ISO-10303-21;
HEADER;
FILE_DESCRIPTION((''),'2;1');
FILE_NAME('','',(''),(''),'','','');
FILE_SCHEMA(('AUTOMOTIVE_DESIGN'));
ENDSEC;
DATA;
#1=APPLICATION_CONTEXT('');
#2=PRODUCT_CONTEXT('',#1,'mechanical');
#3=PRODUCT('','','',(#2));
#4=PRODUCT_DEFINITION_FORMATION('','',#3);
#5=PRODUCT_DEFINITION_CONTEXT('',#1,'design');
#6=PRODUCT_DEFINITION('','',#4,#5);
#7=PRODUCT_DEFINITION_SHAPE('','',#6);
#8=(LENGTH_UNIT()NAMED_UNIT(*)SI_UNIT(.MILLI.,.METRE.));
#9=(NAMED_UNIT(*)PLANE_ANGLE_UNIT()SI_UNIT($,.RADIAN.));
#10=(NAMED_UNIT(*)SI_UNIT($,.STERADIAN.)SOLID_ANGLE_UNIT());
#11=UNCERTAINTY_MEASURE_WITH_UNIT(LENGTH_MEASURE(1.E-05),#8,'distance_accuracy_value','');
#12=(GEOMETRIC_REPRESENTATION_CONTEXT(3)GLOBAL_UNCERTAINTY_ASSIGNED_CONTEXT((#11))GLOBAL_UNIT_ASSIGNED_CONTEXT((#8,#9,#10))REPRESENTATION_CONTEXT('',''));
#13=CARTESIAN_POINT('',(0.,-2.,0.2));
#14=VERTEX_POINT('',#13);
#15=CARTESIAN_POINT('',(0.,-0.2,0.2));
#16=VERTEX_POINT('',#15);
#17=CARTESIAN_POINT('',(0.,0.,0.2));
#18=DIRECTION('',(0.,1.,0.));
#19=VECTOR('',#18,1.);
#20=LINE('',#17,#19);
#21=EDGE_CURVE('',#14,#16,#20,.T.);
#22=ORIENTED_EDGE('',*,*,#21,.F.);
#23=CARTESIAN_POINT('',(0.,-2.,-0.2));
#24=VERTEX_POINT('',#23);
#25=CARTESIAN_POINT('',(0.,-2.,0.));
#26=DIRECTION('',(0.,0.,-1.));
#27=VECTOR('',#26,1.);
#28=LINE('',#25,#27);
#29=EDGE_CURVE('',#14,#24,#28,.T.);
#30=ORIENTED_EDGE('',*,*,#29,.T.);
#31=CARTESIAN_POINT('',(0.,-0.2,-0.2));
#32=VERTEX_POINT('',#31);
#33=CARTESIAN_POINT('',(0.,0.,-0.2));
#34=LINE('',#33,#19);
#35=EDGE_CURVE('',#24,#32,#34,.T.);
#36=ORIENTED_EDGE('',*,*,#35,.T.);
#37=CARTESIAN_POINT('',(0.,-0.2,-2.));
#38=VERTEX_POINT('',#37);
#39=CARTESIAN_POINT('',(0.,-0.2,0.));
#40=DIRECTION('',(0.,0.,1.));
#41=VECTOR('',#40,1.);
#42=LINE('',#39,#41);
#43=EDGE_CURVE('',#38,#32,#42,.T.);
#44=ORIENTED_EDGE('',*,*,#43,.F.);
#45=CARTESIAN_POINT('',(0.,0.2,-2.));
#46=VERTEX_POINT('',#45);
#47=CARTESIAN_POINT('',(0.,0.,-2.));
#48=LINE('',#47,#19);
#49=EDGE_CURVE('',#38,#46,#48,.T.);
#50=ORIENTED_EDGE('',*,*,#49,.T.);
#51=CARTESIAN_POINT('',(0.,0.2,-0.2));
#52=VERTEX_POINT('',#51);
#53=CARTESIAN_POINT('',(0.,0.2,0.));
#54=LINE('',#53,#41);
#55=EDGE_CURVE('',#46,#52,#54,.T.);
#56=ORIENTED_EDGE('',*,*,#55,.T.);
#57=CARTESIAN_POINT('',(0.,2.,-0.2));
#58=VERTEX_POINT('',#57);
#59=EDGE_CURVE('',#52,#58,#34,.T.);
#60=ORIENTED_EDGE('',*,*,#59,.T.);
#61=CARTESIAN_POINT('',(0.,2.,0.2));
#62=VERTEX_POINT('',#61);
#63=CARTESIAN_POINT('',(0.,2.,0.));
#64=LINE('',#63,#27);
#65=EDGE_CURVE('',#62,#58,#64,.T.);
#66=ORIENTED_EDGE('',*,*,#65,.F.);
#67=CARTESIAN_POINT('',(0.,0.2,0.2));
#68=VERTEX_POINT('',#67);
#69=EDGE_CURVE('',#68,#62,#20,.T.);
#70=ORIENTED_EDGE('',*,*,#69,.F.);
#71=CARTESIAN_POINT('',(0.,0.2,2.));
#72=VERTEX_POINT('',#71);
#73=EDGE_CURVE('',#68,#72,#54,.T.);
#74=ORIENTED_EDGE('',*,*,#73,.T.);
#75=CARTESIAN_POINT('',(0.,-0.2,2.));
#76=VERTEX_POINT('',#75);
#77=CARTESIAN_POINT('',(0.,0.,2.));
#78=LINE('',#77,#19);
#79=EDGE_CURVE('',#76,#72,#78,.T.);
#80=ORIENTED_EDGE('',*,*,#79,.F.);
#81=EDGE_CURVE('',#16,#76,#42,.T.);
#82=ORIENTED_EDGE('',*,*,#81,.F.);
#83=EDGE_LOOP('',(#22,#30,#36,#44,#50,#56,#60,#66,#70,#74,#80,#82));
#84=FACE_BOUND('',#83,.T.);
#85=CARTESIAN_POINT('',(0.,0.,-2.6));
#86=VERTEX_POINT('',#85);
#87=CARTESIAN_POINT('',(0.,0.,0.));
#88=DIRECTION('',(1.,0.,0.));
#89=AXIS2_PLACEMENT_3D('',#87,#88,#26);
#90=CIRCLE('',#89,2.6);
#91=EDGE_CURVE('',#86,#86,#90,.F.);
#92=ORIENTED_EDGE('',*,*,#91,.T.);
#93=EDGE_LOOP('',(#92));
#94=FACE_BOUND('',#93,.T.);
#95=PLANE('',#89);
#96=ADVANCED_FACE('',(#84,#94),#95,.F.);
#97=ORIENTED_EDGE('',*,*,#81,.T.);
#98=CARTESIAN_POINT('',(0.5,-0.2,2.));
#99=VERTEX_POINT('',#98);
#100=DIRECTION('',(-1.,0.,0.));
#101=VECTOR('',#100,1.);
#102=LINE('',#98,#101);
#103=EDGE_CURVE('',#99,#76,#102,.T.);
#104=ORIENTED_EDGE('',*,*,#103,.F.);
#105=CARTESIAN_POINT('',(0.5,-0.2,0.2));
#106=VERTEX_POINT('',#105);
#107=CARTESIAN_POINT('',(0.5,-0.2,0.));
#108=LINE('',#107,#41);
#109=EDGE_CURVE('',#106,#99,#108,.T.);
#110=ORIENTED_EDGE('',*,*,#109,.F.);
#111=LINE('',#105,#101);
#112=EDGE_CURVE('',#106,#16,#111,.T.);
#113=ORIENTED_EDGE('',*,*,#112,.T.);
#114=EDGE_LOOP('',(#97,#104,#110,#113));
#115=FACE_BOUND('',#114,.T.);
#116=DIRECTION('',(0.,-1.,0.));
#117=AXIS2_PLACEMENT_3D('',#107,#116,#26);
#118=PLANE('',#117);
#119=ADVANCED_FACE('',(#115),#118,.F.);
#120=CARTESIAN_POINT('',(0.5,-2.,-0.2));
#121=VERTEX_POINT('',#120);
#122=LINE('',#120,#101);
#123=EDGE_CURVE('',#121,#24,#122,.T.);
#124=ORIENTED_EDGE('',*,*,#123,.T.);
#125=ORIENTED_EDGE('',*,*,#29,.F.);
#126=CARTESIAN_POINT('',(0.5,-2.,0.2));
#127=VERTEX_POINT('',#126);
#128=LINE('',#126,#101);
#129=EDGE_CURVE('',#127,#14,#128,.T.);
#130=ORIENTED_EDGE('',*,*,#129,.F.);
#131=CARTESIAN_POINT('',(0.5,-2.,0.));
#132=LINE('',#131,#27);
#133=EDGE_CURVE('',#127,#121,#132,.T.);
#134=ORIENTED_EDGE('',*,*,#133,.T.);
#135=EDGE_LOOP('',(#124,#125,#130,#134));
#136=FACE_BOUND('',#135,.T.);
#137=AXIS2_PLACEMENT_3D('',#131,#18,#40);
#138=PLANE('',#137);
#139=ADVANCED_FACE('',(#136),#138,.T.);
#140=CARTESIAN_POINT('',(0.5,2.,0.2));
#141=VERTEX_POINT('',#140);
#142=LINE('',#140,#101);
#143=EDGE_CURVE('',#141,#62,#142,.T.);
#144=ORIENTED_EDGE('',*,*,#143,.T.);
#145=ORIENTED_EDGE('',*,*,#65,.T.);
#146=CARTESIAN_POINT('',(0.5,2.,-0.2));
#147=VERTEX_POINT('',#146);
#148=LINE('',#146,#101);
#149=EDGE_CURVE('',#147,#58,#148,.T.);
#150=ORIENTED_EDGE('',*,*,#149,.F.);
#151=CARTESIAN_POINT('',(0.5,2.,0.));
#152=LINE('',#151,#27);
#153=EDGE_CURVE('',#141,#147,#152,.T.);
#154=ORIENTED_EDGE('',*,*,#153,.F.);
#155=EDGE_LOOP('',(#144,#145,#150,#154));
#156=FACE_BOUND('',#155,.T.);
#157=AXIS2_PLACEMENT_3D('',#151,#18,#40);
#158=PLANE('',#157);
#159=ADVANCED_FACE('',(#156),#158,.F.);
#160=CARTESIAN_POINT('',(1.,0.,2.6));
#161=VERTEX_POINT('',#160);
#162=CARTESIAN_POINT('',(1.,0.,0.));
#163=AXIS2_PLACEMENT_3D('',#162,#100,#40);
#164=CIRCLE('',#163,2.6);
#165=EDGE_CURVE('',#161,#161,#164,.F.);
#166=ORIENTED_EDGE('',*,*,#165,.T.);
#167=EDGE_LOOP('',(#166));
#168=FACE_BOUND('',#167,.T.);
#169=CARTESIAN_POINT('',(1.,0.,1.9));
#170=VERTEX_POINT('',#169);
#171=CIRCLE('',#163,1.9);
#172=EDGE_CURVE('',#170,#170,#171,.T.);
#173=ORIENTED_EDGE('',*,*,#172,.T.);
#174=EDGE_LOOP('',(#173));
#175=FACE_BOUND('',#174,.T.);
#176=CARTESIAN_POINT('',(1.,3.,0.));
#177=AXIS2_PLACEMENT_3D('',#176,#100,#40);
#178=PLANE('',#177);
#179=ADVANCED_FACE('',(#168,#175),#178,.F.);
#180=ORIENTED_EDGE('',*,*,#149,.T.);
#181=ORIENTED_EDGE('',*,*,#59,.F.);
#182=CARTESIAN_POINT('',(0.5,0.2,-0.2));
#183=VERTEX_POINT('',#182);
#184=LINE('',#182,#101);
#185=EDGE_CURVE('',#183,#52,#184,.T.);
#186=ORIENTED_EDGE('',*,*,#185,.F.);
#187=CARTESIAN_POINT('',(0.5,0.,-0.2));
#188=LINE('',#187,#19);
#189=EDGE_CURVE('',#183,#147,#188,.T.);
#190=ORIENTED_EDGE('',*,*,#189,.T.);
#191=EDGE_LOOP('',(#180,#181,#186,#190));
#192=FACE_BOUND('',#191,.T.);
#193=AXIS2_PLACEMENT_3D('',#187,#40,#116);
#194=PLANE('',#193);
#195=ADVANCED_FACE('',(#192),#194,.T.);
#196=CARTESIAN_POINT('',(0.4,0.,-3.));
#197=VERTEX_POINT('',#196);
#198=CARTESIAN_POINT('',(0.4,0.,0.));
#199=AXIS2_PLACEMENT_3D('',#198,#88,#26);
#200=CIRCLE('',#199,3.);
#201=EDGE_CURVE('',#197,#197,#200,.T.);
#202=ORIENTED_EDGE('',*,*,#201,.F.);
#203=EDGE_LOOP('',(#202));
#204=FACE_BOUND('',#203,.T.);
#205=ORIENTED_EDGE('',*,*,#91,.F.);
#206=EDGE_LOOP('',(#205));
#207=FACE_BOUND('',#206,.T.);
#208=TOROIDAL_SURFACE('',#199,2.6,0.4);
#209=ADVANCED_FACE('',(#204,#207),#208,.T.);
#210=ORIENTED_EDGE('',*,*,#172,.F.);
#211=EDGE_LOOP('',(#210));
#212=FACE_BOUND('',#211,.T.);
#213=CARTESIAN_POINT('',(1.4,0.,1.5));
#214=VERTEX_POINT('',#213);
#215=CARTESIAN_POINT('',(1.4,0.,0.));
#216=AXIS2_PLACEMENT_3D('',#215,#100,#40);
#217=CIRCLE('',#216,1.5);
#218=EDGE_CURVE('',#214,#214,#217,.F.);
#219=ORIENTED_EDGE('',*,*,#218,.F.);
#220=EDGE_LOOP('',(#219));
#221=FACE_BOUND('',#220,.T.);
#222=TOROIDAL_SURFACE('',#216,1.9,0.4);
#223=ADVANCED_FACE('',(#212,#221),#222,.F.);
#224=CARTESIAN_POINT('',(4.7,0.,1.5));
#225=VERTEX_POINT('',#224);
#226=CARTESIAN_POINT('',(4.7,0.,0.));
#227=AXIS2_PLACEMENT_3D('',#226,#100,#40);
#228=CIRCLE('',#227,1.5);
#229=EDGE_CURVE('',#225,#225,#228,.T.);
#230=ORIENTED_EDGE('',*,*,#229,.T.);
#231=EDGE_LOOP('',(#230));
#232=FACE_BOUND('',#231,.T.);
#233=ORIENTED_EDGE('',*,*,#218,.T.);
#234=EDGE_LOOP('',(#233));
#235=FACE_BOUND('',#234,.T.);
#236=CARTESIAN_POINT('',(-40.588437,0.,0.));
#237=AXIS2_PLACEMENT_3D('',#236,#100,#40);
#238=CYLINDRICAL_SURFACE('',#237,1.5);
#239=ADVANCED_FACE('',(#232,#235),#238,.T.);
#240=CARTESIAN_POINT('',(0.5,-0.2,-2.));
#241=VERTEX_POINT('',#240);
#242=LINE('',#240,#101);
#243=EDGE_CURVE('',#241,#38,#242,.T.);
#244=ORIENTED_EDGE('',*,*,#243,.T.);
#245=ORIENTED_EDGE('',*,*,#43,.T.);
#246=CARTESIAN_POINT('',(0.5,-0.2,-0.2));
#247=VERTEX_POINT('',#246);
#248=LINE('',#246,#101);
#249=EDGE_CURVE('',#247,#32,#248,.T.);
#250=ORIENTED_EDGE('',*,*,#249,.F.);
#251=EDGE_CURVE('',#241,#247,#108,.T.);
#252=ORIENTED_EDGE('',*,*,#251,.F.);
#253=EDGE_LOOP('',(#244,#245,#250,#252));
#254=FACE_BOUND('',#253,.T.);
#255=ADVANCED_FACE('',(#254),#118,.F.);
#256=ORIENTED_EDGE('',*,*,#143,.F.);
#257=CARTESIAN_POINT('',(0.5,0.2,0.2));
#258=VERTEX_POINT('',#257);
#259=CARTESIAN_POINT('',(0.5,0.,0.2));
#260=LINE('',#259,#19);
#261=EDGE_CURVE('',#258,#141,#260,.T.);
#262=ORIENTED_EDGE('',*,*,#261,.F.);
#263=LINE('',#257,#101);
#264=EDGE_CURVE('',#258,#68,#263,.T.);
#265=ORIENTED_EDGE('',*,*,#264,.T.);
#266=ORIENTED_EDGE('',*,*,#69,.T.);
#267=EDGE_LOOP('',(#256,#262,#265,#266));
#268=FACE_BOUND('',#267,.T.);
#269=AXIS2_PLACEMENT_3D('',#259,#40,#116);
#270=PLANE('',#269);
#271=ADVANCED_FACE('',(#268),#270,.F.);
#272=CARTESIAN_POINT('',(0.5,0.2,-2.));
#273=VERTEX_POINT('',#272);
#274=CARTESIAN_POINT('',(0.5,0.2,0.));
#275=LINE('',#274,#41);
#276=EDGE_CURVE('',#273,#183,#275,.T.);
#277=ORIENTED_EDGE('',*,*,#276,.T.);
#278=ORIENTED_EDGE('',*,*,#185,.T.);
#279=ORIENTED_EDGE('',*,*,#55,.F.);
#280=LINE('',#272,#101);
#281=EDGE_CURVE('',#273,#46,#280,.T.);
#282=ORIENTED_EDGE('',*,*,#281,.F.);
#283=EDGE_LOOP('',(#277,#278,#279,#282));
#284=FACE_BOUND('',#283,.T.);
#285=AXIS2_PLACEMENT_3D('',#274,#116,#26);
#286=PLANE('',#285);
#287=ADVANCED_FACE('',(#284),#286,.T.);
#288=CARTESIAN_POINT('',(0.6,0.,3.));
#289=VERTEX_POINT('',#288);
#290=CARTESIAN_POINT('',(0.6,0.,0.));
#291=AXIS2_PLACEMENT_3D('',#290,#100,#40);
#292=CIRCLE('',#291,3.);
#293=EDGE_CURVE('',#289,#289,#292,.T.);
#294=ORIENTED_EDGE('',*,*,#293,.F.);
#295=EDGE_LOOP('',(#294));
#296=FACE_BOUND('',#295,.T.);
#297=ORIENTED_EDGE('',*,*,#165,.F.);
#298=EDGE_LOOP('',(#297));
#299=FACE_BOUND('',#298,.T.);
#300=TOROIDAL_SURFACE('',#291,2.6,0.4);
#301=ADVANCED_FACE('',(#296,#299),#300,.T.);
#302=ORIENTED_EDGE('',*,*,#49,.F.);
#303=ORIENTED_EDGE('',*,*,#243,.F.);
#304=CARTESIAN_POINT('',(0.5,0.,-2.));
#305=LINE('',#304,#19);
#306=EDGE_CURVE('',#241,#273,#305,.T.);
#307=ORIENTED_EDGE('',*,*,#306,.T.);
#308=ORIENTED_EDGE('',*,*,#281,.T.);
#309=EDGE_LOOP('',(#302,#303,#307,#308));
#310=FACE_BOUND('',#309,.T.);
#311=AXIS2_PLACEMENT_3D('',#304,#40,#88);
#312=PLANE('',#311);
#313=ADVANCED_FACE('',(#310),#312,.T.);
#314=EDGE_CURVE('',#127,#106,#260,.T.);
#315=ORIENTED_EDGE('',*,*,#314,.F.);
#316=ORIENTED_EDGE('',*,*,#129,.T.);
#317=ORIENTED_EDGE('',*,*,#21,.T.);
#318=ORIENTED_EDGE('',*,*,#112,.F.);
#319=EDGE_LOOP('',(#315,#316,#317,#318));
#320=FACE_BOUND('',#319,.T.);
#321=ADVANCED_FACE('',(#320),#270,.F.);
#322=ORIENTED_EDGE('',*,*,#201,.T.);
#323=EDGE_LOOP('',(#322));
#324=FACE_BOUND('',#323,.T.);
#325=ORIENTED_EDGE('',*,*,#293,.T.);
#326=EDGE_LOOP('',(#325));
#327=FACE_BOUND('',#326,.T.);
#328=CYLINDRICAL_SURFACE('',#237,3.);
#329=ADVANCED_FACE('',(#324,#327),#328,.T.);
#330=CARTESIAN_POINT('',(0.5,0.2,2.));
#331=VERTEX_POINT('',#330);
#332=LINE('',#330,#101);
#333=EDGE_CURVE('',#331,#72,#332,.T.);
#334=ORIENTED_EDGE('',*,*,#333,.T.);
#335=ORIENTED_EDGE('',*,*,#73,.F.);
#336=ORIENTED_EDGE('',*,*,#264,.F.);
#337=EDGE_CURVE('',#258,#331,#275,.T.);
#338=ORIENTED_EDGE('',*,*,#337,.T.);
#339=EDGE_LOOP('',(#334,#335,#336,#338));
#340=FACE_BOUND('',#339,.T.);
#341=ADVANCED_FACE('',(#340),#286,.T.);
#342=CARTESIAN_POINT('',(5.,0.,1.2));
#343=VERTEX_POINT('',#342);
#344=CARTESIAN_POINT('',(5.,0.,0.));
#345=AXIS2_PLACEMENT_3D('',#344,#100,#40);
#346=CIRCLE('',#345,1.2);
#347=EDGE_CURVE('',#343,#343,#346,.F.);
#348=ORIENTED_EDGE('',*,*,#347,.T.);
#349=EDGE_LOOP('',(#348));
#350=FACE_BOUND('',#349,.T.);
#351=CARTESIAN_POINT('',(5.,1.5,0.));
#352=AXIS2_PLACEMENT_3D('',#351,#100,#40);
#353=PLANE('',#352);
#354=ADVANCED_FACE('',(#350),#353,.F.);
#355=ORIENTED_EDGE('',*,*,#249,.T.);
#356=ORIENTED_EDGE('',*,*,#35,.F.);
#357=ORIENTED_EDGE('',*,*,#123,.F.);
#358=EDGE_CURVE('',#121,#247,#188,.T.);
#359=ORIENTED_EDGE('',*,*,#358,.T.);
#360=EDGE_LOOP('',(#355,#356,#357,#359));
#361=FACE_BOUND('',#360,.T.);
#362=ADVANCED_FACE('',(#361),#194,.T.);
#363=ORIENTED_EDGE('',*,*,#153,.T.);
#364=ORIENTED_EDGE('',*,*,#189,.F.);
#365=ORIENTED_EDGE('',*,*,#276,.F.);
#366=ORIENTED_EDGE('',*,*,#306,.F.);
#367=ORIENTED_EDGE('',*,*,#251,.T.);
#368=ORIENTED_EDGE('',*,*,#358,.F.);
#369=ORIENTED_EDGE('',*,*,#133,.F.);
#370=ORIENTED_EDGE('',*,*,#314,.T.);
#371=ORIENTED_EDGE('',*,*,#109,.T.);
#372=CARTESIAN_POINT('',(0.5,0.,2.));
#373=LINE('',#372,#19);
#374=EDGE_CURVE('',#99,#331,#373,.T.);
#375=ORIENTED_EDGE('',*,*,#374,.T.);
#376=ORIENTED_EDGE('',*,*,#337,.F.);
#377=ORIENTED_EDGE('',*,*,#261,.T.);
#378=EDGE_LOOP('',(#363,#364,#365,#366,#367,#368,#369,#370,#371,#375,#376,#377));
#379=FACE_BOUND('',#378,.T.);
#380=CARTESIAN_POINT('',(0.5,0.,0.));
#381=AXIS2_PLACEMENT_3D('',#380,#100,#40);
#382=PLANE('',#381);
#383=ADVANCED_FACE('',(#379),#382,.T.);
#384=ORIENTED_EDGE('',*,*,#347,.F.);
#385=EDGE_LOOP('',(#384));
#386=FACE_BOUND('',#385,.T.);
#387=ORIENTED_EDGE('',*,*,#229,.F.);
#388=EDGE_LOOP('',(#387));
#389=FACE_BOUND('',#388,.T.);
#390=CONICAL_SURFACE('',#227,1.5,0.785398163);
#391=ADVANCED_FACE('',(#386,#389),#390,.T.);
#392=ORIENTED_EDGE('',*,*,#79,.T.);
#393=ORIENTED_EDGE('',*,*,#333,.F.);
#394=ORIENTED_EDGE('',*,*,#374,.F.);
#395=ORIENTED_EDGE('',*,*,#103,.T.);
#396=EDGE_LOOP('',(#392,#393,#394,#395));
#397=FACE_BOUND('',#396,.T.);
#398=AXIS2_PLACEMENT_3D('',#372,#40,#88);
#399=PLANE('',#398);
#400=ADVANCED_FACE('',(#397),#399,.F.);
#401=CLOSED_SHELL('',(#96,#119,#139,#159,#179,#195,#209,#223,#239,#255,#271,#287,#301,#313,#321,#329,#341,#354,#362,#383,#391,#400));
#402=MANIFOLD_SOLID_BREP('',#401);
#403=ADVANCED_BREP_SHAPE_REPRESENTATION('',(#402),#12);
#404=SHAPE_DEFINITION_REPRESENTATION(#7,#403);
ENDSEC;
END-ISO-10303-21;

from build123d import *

# Parameters (mm, degrees)
FILLET_1_R          = 0.4
CUT_EXTRUDE_1_DEPTH = 0.5
CHAMFER_1_SIZE      = 0.3


with BuildPart() as part:
    # Эскиз1 → Повернуть1 (revolve)
    with BuildSketch(Plane.XY, mode=Mode.PRIVATE) as revolve_1_sk:
        Polygon((0, 0), (0, 3), (1, 3), (1, 1.5), (5, 1.5), (5, 0), align=None)
    revolve(revolve_1_sk.sketch.rotate(Axis((-40.588436676, 0, 0), (1, 0, 0)), 90), axis=Axis((-40.588436676, 0, 0), (1, 0, 0)))

    # Скругление1
    fillet_1_edges = [part.edges().sort_by_distance(p)[0] for p in [
        (1, 0, -1.5),
        (1, 0, -3),
        (0, 0, -3),
    ]]
    fillet(fillet_1_edges, radius=FILLET_1_R)

    # Эскиз2 → Вырез-Вытянуть1 (cut)
    with BuildSketch(Plane.ZY):
        Polygon((0.2, -2), (-0.2, -2), (-0.2, -0.2), (-2, -0.2), (-2, 0.2), (-0.2, 0.2), (-0.2, 2), (0.2, 2), (0.2, 0.2), (2, 0.2), (2, -0.2), (0.2, -0.2), align=None)
    extrude(amount=-CUT_EXTRUDE_1_DEPTH, mode=Mode.SUBTRACT)

    # Фаска1
    chamfer_1_edges = [part.edges().sort_by_distance(p)[0] for p in [
        (5, 0, -1.5),
    ]]
    chamfer(chamfer_1_edges, length=CHAMFER_1_SIZE)


solid = part.part
